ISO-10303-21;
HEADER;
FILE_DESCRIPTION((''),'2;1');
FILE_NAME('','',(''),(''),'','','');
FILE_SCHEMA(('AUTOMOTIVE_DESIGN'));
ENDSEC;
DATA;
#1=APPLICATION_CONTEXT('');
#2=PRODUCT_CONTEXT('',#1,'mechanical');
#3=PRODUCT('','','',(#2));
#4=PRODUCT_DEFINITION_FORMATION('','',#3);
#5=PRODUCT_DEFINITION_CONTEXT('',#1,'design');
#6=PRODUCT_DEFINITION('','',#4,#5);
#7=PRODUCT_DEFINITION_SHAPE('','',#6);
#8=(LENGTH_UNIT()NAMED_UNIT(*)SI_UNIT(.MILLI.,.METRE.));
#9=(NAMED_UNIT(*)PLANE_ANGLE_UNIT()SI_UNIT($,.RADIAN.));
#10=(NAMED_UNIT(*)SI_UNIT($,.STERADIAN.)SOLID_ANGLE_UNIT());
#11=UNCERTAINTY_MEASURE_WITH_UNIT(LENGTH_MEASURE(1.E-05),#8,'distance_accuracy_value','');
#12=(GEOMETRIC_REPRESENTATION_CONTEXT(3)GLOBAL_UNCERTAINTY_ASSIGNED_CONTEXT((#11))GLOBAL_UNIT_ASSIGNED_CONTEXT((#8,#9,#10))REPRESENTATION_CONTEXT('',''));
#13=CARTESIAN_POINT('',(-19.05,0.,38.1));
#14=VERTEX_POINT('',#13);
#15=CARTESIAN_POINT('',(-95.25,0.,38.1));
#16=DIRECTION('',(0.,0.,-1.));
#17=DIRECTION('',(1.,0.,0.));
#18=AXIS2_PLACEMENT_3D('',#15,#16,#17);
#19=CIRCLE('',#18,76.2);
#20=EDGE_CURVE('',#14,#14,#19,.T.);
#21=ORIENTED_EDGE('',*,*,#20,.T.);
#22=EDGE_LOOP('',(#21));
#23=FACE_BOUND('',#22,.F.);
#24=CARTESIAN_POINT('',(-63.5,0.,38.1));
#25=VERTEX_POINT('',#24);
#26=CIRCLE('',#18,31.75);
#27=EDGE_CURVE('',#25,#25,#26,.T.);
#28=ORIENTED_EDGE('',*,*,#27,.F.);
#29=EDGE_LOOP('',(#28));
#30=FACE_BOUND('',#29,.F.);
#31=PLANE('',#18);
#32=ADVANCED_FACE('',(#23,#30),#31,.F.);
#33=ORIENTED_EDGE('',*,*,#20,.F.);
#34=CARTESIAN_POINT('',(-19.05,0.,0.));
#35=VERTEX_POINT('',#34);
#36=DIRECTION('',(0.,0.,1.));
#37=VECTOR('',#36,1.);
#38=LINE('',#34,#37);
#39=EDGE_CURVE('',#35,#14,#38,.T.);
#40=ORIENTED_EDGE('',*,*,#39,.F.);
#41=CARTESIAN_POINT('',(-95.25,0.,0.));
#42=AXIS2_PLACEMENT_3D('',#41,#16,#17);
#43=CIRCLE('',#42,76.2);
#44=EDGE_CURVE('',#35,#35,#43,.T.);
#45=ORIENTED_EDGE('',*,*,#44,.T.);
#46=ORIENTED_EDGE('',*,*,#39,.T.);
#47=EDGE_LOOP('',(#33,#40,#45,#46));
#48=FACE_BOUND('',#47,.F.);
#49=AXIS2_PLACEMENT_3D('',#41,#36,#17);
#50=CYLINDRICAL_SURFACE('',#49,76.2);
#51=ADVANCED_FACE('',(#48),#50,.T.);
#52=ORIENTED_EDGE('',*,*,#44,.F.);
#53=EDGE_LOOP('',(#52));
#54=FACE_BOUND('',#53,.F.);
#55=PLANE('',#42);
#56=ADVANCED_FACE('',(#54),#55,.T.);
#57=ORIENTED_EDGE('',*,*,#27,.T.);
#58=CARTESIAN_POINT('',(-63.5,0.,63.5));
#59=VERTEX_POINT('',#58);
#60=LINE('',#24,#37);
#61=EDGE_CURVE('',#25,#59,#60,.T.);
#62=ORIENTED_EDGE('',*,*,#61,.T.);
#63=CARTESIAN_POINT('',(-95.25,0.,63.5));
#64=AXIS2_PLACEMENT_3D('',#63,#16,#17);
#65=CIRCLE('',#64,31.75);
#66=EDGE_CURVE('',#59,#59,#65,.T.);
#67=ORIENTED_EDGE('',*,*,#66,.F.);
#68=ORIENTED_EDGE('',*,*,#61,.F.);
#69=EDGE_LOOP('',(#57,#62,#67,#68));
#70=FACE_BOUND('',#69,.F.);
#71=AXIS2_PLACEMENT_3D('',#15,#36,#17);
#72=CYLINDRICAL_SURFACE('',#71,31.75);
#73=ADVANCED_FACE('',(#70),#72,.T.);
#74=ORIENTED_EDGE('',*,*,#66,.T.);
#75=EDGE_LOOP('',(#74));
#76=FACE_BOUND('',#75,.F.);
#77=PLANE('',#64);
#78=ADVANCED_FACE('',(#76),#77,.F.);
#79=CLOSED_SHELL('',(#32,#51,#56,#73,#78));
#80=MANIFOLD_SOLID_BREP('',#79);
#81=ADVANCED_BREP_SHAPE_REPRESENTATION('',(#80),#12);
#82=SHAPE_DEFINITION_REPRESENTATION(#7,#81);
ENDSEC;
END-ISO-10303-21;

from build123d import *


with BuildPart() as f1:
    # F0 (on Front) → F1 (revolve)
    with BuildSketch(Plane.XZ):
        Polygon((-63.5, 63.5), (-95.25, 63.5), (-95.25, 0), (-19.05, 0), (-19.05, 38.1), (-63.5, 38.1), align=None)
    revolve(axis=Axis((-95.25, 0, 31.75), (0, 0, -1)))


solid = f1.part
